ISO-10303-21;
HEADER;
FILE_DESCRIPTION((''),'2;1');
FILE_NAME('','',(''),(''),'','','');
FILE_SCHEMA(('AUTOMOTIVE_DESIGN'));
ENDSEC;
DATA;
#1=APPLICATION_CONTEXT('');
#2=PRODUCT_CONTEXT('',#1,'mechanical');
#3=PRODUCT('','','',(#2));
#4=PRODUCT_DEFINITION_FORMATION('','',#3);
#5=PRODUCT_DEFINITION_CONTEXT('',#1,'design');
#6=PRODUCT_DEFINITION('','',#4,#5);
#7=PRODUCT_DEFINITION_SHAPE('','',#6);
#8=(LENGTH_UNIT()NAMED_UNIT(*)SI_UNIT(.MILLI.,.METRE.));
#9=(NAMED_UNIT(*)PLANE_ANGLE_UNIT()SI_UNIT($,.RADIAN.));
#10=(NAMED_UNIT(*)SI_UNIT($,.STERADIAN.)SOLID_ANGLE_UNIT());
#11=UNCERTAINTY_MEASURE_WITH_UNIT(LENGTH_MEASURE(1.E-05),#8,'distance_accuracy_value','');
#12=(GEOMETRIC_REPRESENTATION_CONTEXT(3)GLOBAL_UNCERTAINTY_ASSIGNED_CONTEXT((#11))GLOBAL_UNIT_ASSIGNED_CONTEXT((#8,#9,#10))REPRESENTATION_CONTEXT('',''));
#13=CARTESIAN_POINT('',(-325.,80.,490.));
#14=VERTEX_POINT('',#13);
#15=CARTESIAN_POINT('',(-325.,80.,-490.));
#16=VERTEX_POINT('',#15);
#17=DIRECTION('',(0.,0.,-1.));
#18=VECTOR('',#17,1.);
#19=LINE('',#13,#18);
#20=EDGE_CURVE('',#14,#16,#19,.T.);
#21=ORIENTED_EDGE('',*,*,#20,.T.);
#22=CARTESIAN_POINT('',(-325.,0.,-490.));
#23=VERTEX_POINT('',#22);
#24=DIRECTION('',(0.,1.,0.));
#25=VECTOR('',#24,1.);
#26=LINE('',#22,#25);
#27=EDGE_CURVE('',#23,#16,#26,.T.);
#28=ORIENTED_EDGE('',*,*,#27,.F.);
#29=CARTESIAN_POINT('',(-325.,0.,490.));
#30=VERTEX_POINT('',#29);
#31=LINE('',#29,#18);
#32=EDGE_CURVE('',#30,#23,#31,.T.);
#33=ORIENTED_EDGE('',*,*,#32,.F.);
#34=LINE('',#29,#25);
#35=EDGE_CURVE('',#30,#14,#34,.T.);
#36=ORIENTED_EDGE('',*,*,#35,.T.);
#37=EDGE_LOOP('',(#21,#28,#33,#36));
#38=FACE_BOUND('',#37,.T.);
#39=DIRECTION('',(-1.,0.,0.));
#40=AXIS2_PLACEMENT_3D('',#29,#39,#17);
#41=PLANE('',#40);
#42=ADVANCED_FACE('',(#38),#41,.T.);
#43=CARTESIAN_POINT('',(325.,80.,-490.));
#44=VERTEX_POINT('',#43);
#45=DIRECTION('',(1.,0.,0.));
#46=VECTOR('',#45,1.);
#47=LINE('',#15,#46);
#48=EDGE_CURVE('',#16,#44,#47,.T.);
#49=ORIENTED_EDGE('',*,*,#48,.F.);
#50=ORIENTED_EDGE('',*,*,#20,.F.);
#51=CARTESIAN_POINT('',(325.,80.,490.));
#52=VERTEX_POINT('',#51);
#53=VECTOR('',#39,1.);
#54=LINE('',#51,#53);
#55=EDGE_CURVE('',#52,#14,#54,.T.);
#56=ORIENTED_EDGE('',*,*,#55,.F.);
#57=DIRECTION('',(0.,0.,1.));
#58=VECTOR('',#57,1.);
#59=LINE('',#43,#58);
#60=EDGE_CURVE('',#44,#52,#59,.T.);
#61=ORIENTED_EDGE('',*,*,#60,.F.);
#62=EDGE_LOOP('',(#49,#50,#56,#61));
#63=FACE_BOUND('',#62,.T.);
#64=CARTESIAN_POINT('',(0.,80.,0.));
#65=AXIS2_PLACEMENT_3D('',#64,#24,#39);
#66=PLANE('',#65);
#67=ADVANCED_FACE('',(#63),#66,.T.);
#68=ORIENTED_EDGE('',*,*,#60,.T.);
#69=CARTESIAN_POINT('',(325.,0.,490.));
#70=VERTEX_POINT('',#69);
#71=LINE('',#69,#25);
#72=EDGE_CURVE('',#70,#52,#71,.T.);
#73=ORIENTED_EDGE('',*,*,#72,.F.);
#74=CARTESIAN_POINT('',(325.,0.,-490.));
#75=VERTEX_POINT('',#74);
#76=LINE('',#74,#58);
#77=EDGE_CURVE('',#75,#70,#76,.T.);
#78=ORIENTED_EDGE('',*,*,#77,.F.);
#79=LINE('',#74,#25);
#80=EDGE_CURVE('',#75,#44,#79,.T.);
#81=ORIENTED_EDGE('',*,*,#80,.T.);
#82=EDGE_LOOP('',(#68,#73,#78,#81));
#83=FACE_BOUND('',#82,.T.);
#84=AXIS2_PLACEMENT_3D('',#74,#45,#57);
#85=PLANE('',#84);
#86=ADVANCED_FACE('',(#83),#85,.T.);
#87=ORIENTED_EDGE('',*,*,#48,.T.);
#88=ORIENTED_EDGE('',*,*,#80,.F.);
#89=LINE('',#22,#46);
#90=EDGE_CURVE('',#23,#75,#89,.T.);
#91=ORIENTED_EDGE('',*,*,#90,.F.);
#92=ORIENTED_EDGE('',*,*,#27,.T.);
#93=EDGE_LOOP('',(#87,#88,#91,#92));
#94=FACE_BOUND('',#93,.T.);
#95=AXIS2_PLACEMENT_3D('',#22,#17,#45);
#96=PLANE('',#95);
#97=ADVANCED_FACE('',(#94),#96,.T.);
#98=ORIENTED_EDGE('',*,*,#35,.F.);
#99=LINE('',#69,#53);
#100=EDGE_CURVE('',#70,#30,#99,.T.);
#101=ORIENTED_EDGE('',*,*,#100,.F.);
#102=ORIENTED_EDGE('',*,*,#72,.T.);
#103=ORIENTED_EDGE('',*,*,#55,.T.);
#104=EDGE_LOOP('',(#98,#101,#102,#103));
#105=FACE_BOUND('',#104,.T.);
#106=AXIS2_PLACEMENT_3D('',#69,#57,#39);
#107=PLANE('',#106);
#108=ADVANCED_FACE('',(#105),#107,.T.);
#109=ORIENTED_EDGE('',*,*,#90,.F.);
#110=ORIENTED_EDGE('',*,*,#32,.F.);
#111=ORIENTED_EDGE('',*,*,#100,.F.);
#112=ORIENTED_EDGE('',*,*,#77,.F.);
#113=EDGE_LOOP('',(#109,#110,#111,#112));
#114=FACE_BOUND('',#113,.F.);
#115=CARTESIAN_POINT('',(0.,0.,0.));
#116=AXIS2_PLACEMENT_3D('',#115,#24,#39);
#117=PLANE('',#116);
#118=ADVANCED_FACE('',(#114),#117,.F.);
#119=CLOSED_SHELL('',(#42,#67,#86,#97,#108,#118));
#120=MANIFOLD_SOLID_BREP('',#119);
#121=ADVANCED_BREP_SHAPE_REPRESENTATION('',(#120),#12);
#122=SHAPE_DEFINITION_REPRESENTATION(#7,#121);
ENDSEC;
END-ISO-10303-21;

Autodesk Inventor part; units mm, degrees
ref_plane "YZ Plane" through (0, 0, 0) normal (1, 0, 0) x (0, 1, 0)
ref_plane "XZ Plane" through (0, 0, 0) normal (0, 1, 0) x (-1, 0, 0)
ref_plane "XY Plane" through (0, 0, 0) normal (0, 0, 1) x (1, 0, 0)
sketch "Sketch1" plane through (0, 0, 0) normal (0, 1, 0) x (-1, 0, 0)
  line L0 (325, -490) -> (-325, -490)
  line L1 (-325, -490) -> (-325, 490)
  line L2 (-325, 490) -> (325, 490)
  line L3 (325, 490) -> (325, -490)
  point P0 (0, 0)
  point P1 (325, 0)
  point P2 (0, -490)
  dimension "d0" = 650
  dimension "d1" = 980
extrude "Caja MDF Trigger" add sketch "Sketch1" along normal blind 80
properties part number "Caja Trigger DC" material "Wood (Cherry)"
